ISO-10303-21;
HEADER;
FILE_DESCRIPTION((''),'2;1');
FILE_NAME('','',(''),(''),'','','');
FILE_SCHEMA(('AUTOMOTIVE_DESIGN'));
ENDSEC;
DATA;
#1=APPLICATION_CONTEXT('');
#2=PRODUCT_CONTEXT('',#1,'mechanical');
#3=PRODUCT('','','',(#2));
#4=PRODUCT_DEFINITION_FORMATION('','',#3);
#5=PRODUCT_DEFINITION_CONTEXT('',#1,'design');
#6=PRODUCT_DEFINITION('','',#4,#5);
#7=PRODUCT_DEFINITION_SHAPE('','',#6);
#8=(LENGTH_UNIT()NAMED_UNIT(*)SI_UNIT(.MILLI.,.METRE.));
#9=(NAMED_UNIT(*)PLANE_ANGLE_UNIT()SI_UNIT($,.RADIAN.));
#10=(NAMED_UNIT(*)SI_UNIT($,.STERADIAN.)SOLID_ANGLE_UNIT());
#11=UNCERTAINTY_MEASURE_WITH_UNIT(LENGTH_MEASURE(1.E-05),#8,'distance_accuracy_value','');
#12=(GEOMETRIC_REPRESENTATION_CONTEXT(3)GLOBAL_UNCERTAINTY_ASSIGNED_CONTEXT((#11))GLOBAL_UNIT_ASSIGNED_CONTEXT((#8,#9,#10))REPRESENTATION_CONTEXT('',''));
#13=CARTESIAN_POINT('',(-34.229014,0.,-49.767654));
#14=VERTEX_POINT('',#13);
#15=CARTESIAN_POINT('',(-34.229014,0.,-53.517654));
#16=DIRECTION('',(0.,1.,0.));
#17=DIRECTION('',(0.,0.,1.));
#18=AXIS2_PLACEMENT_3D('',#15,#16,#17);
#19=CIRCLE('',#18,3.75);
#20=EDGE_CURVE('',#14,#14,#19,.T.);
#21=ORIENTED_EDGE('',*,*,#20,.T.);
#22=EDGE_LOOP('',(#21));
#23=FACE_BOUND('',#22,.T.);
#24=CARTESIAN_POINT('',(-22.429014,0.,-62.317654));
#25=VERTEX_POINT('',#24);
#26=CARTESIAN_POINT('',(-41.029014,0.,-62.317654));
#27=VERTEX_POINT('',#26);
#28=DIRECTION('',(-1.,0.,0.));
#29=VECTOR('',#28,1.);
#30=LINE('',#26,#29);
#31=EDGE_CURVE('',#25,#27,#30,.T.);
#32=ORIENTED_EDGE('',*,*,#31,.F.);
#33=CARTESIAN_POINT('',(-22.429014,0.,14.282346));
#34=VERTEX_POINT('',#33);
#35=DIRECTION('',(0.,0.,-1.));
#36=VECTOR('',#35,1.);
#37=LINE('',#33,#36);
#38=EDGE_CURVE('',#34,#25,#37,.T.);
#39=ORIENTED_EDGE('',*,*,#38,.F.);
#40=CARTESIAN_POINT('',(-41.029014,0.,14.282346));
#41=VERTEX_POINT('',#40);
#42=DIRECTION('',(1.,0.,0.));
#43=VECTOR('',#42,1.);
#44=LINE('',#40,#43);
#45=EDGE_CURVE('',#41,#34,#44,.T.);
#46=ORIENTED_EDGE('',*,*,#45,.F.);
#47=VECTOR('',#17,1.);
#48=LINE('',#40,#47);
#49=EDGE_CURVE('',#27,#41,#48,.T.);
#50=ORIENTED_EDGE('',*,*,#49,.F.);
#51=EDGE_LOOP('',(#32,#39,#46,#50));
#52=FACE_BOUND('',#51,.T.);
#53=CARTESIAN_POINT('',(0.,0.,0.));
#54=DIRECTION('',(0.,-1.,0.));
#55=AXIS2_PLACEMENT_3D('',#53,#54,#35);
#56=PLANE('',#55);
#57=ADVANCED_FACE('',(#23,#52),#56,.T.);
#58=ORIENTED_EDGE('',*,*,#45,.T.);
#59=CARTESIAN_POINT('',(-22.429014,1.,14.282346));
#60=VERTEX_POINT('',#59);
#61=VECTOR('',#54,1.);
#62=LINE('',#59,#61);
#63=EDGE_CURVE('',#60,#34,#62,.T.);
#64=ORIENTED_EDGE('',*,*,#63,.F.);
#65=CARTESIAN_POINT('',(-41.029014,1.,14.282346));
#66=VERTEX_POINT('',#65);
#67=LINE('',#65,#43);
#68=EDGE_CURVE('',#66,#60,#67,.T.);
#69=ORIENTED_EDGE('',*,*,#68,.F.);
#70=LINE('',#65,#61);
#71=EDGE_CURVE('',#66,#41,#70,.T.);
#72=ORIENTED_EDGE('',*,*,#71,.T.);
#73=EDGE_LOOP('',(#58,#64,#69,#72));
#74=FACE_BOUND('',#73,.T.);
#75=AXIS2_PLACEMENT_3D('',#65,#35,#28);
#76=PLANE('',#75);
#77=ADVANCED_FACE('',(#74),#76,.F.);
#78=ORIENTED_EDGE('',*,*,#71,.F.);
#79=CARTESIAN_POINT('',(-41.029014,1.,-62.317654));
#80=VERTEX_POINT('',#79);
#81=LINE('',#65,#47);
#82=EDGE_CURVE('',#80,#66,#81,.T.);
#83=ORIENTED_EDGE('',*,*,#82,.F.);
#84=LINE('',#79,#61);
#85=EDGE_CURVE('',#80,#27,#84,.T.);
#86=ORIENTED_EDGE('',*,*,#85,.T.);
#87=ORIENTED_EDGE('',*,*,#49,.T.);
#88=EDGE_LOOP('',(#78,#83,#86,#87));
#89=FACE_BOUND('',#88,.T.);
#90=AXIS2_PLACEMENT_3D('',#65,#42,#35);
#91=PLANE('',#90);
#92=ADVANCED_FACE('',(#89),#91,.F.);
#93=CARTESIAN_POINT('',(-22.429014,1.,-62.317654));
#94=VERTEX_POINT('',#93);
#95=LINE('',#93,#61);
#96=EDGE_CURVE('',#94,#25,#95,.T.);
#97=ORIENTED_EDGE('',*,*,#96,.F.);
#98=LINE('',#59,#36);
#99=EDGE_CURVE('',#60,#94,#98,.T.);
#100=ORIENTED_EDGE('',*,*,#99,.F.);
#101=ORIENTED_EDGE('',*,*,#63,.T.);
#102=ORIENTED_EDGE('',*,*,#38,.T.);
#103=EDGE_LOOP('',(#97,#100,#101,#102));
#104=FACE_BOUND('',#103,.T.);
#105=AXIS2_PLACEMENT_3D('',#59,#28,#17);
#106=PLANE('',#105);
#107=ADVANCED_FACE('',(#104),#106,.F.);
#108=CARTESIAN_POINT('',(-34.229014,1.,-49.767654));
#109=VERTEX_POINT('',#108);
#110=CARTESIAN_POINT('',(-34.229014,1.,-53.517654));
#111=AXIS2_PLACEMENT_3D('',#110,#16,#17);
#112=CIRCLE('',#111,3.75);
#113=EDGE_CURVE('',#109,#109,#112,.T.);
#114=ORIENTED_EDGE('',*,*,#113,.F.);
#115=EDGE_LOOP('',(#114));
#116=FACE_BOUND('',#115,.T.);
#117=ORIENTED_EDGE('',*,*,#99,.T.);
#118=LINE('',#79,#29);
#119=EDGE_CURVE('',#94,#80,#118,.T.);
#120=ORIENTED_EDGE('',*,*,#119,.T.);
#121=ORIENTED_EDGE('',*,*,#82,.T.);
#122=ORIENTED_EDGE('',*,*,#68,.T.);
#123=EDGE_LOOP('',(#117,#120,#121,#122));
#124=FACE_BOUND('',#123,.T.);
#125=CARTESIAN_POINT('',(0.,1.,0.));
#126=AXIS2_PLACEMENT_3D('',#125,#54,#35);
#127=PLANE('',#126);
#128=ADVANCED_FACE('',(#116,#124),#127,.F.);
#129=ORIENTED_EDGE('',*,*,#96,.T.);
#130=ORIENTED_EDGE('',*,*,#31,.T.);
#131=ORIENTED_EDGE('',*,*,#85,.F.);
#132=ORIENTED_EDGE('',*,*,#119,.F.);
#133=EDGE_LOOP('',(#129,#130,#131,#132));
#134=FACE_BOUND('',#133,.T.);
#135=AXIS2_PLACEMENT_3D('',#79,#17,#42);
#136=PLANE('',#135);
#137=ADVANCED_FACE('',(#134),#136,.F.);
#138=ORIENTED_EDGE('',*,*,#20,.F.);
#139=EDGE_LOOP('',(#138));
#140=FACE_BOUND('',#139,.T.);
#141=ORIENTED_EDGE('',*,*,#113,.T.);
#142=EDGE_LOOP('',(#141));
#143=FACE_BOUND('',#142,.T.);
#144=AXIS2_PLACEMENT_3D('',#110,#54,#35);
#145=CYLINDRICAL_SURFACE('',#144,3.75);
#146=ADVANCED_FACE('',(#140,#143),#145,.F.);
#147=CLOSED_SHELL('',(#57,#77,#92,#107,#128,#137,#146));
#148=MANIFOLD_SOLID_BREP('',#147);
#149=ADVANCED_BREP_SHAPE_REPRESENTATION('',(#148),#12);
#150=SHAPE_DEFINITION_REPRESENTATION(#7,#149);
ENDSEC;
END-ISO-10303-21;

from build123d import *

# Parameters (mm, degrees)
SKETCH2_W           = 18.6
SKETCH2_H           = 76.6
SKETCH2_R           = 3.75
BOSS_EXTRUDE1_DEPTH = 1


with BuildPart() as part:
    # Sketch2 → Boss-Extrude1 (new body)
    with BuildSketch(Plane(origin=(0, 0, 0), x_dir=(1, 0, 0), z_dir=(0, 1, 0))):
        with Locations((-31.729014151, 24.017653569)):
            Rectangle(SKETCH2_W, SKETCH2_H)
        with Locations((-34.229014151, 53.517653569)):
            Circle(SKETCH2_R, mode=Mode.SUBTRACT)
    extrude(amount=BOSS_EXTRUDE1_DEPTH)


solid = part.part
